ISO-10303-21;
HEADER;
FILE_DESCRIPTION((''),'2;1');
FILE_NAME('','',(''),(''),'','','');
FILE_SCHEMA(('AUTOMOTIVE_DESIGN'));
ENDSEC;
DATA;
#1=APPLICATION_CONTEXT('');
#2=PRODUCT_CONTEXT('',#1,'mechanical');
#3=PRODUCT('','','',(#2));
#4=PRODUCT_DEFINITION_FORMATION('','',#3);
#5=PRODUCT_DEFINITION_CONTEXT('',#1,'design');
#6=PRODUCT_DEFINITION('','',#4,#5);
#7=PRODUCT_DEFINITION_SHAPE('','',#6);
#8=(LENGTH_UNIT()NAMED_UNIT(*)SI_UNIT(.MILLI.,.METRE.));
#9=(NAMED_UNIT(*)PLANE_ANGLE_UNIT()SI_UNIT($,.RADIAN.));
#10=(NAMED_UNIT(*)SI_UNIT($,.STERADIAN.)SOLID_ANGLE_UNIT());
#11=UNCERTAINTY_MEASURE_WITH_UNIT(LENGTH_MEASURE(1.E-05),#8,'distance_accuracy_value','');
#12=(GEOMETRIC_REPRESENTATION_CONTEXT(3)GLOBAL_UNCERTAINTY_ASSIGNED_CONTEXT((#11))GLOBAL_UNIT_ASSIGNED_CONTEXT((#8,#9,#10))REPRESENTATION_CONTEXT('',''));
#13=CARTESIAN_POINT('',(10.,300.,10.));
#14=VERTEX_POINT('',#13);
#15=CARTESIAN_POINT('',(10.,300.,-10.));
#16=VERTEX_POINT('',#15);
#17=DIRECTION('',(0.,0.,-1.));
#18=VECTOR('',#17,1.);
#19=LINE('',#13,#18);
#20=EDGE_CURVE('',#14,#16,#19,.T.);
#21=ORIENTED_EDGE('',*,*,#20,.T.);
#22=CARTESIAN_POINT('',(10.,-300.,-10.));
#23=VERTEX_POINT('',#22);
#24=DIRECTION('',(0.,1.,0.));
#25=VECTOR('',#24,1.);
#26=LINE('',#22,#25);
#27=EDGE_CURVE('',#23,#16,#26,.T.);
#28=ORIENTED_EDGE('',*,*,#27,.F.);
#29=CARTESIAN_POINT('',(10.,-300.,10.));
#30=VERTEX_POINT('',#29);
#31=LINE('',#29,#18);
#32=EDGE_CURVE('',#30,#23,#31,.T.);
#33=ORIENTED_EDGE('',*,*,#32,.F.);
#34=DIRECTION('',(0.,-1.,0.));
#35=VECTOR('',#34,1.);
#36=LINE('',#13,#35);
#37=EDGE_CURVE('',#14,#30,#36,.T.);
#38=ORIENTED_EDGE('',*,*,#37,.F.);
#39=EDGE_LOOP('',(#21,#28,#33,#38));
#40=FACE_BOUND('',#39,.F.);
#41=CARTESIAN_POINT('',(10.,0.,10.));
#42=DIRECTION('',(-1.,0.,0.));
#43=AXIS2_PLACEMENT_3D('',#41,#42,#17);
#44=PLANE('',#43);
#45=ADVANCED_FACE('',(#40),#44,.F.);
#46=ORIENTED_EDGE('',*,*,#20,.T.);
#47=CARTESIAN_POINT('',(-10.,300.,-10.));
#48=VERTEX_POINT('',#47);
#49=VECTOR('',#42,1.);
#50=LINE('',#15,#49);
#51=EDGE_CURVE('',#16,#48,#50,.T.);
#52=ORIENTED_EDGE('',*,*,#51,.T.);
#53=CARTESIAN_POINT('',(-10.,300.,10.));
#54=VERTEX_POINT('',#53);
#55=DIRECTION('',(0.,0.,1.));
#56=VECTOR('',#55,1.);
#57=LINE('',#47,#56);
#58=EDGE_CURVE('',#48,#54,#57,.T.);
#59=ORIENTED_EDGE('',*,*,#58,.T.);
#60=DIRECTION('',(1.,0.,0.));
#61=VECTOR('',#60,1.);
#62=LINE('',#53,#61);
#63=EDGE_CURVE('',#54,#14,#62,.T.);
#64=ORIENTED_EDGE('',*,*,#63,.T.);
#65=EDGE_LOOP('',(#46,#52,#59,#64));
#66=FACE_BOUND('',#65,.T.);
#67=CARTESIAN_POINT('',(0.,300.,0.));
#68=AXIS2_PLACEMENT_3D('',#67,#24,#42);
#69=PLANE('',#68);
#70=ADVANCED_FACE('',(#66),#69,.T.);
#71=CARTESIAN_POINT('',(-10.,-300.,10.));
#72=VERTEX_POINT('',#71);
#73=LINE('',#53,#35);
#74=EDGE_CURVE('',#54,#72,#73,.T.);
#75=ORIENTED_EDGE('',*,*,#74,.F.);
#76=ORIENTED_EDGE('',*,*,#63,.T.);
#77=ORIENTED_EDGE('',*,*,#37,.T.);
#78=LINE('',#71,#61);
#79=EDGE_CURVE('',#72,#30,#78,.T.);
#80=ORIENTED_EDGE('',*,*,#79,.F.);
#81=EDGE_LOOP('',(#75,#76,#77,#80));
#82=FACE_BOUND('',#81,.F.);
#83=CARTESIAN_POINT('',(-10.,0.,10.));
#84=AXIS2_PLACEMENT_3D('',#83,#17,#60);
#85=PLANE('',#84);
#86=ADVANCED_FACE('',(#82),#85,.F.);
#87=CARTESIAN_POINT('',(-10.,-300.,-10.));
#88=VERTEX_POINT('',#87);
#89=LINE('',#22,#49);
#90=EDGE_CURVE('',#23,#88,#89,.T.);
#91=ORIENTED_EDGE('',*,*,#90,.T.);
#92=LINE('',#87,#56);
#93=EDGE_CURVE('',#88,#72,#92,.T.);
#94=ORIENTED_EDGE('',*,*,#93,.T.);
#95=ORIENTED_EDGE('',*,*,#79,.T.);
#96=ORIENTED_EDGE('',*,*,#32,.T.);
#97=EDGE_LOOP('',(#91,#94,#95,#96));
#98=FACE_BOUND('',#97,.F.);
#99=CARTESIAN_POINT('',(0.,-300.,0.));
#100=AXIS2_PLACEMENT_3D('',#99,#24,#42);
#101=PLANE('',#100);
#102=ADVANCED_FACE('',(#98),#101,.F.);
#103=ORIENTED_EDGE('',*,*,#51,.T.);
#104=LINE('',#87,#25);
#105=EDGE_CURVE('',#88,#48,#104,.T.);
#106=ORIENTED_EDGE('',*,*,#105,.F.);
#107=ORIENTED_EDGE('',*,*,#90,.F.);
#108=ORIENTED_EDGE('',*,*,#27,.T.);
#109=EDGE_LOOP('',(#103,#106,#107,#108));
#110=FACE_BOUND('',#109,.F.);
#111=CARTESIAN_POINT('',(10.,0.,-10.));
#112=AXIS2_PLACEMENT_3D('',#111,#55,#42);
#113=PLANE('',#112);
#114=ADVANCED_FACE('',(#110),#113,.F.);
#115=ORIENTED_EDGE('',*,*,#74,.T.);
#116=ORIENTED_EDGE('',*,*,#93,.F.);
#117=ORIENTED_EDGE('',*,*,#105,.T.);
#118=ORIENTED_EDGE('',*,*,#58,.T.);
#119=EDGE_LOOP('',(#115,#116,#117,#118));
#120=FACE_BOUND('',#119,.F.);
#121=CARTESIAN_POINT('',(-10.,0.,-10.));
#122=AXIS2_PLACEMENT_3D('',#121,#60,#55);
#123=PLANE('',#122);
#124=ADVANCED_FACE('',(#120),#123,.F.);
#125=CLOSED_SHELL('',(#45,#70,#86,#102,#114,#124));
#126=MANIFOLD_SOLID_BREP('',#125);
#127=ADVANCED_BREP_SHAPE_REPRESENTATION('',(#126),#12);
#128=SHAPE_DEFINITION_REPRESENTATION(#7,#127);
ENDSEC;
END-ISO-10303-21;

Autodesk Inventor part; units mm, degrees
ref_plane "YZ Plane" through (0, 0, 0) normal (1, 0, 0) x (0, 1, 0)
ref_plane "XZ Plane" through (0, 0, 0) normal (0, 1, 0) x (-1, 0, 0)
ref_plane "XY Plane" through (0, 0, 0) normal (0, 0, 1) x (1, 0, 0)
sketch "Esboço1" plane through (0, 0, 0) normal (0, 1, 0) x (-1, 0, 0)
  line L0 (-10, -10) -> (10, -10)
  line L1 (10, -10) -> (10, 10)
  line L2 (10, 10) -> (-10, 10)
  line L3 (-10, 10) -> (-10, -10)
  line L4 (-10, -10) -> (10, 10) construction
  line L5 (10, -10) -> (-10, 10) construction
  point P0 (0, 0)
  dimension "d0" = 20
  dimension "d1" = 20
extrude "Extrusão1" add sketch "Esboço1" along normal mid plane 600
equation "\"d2\" = WIDHT"
equation "\"RIP_L\" = 25"
equation "\"WIDHT\" = 600"
properties part number "shelf rip 20x20" material "Madeira"
